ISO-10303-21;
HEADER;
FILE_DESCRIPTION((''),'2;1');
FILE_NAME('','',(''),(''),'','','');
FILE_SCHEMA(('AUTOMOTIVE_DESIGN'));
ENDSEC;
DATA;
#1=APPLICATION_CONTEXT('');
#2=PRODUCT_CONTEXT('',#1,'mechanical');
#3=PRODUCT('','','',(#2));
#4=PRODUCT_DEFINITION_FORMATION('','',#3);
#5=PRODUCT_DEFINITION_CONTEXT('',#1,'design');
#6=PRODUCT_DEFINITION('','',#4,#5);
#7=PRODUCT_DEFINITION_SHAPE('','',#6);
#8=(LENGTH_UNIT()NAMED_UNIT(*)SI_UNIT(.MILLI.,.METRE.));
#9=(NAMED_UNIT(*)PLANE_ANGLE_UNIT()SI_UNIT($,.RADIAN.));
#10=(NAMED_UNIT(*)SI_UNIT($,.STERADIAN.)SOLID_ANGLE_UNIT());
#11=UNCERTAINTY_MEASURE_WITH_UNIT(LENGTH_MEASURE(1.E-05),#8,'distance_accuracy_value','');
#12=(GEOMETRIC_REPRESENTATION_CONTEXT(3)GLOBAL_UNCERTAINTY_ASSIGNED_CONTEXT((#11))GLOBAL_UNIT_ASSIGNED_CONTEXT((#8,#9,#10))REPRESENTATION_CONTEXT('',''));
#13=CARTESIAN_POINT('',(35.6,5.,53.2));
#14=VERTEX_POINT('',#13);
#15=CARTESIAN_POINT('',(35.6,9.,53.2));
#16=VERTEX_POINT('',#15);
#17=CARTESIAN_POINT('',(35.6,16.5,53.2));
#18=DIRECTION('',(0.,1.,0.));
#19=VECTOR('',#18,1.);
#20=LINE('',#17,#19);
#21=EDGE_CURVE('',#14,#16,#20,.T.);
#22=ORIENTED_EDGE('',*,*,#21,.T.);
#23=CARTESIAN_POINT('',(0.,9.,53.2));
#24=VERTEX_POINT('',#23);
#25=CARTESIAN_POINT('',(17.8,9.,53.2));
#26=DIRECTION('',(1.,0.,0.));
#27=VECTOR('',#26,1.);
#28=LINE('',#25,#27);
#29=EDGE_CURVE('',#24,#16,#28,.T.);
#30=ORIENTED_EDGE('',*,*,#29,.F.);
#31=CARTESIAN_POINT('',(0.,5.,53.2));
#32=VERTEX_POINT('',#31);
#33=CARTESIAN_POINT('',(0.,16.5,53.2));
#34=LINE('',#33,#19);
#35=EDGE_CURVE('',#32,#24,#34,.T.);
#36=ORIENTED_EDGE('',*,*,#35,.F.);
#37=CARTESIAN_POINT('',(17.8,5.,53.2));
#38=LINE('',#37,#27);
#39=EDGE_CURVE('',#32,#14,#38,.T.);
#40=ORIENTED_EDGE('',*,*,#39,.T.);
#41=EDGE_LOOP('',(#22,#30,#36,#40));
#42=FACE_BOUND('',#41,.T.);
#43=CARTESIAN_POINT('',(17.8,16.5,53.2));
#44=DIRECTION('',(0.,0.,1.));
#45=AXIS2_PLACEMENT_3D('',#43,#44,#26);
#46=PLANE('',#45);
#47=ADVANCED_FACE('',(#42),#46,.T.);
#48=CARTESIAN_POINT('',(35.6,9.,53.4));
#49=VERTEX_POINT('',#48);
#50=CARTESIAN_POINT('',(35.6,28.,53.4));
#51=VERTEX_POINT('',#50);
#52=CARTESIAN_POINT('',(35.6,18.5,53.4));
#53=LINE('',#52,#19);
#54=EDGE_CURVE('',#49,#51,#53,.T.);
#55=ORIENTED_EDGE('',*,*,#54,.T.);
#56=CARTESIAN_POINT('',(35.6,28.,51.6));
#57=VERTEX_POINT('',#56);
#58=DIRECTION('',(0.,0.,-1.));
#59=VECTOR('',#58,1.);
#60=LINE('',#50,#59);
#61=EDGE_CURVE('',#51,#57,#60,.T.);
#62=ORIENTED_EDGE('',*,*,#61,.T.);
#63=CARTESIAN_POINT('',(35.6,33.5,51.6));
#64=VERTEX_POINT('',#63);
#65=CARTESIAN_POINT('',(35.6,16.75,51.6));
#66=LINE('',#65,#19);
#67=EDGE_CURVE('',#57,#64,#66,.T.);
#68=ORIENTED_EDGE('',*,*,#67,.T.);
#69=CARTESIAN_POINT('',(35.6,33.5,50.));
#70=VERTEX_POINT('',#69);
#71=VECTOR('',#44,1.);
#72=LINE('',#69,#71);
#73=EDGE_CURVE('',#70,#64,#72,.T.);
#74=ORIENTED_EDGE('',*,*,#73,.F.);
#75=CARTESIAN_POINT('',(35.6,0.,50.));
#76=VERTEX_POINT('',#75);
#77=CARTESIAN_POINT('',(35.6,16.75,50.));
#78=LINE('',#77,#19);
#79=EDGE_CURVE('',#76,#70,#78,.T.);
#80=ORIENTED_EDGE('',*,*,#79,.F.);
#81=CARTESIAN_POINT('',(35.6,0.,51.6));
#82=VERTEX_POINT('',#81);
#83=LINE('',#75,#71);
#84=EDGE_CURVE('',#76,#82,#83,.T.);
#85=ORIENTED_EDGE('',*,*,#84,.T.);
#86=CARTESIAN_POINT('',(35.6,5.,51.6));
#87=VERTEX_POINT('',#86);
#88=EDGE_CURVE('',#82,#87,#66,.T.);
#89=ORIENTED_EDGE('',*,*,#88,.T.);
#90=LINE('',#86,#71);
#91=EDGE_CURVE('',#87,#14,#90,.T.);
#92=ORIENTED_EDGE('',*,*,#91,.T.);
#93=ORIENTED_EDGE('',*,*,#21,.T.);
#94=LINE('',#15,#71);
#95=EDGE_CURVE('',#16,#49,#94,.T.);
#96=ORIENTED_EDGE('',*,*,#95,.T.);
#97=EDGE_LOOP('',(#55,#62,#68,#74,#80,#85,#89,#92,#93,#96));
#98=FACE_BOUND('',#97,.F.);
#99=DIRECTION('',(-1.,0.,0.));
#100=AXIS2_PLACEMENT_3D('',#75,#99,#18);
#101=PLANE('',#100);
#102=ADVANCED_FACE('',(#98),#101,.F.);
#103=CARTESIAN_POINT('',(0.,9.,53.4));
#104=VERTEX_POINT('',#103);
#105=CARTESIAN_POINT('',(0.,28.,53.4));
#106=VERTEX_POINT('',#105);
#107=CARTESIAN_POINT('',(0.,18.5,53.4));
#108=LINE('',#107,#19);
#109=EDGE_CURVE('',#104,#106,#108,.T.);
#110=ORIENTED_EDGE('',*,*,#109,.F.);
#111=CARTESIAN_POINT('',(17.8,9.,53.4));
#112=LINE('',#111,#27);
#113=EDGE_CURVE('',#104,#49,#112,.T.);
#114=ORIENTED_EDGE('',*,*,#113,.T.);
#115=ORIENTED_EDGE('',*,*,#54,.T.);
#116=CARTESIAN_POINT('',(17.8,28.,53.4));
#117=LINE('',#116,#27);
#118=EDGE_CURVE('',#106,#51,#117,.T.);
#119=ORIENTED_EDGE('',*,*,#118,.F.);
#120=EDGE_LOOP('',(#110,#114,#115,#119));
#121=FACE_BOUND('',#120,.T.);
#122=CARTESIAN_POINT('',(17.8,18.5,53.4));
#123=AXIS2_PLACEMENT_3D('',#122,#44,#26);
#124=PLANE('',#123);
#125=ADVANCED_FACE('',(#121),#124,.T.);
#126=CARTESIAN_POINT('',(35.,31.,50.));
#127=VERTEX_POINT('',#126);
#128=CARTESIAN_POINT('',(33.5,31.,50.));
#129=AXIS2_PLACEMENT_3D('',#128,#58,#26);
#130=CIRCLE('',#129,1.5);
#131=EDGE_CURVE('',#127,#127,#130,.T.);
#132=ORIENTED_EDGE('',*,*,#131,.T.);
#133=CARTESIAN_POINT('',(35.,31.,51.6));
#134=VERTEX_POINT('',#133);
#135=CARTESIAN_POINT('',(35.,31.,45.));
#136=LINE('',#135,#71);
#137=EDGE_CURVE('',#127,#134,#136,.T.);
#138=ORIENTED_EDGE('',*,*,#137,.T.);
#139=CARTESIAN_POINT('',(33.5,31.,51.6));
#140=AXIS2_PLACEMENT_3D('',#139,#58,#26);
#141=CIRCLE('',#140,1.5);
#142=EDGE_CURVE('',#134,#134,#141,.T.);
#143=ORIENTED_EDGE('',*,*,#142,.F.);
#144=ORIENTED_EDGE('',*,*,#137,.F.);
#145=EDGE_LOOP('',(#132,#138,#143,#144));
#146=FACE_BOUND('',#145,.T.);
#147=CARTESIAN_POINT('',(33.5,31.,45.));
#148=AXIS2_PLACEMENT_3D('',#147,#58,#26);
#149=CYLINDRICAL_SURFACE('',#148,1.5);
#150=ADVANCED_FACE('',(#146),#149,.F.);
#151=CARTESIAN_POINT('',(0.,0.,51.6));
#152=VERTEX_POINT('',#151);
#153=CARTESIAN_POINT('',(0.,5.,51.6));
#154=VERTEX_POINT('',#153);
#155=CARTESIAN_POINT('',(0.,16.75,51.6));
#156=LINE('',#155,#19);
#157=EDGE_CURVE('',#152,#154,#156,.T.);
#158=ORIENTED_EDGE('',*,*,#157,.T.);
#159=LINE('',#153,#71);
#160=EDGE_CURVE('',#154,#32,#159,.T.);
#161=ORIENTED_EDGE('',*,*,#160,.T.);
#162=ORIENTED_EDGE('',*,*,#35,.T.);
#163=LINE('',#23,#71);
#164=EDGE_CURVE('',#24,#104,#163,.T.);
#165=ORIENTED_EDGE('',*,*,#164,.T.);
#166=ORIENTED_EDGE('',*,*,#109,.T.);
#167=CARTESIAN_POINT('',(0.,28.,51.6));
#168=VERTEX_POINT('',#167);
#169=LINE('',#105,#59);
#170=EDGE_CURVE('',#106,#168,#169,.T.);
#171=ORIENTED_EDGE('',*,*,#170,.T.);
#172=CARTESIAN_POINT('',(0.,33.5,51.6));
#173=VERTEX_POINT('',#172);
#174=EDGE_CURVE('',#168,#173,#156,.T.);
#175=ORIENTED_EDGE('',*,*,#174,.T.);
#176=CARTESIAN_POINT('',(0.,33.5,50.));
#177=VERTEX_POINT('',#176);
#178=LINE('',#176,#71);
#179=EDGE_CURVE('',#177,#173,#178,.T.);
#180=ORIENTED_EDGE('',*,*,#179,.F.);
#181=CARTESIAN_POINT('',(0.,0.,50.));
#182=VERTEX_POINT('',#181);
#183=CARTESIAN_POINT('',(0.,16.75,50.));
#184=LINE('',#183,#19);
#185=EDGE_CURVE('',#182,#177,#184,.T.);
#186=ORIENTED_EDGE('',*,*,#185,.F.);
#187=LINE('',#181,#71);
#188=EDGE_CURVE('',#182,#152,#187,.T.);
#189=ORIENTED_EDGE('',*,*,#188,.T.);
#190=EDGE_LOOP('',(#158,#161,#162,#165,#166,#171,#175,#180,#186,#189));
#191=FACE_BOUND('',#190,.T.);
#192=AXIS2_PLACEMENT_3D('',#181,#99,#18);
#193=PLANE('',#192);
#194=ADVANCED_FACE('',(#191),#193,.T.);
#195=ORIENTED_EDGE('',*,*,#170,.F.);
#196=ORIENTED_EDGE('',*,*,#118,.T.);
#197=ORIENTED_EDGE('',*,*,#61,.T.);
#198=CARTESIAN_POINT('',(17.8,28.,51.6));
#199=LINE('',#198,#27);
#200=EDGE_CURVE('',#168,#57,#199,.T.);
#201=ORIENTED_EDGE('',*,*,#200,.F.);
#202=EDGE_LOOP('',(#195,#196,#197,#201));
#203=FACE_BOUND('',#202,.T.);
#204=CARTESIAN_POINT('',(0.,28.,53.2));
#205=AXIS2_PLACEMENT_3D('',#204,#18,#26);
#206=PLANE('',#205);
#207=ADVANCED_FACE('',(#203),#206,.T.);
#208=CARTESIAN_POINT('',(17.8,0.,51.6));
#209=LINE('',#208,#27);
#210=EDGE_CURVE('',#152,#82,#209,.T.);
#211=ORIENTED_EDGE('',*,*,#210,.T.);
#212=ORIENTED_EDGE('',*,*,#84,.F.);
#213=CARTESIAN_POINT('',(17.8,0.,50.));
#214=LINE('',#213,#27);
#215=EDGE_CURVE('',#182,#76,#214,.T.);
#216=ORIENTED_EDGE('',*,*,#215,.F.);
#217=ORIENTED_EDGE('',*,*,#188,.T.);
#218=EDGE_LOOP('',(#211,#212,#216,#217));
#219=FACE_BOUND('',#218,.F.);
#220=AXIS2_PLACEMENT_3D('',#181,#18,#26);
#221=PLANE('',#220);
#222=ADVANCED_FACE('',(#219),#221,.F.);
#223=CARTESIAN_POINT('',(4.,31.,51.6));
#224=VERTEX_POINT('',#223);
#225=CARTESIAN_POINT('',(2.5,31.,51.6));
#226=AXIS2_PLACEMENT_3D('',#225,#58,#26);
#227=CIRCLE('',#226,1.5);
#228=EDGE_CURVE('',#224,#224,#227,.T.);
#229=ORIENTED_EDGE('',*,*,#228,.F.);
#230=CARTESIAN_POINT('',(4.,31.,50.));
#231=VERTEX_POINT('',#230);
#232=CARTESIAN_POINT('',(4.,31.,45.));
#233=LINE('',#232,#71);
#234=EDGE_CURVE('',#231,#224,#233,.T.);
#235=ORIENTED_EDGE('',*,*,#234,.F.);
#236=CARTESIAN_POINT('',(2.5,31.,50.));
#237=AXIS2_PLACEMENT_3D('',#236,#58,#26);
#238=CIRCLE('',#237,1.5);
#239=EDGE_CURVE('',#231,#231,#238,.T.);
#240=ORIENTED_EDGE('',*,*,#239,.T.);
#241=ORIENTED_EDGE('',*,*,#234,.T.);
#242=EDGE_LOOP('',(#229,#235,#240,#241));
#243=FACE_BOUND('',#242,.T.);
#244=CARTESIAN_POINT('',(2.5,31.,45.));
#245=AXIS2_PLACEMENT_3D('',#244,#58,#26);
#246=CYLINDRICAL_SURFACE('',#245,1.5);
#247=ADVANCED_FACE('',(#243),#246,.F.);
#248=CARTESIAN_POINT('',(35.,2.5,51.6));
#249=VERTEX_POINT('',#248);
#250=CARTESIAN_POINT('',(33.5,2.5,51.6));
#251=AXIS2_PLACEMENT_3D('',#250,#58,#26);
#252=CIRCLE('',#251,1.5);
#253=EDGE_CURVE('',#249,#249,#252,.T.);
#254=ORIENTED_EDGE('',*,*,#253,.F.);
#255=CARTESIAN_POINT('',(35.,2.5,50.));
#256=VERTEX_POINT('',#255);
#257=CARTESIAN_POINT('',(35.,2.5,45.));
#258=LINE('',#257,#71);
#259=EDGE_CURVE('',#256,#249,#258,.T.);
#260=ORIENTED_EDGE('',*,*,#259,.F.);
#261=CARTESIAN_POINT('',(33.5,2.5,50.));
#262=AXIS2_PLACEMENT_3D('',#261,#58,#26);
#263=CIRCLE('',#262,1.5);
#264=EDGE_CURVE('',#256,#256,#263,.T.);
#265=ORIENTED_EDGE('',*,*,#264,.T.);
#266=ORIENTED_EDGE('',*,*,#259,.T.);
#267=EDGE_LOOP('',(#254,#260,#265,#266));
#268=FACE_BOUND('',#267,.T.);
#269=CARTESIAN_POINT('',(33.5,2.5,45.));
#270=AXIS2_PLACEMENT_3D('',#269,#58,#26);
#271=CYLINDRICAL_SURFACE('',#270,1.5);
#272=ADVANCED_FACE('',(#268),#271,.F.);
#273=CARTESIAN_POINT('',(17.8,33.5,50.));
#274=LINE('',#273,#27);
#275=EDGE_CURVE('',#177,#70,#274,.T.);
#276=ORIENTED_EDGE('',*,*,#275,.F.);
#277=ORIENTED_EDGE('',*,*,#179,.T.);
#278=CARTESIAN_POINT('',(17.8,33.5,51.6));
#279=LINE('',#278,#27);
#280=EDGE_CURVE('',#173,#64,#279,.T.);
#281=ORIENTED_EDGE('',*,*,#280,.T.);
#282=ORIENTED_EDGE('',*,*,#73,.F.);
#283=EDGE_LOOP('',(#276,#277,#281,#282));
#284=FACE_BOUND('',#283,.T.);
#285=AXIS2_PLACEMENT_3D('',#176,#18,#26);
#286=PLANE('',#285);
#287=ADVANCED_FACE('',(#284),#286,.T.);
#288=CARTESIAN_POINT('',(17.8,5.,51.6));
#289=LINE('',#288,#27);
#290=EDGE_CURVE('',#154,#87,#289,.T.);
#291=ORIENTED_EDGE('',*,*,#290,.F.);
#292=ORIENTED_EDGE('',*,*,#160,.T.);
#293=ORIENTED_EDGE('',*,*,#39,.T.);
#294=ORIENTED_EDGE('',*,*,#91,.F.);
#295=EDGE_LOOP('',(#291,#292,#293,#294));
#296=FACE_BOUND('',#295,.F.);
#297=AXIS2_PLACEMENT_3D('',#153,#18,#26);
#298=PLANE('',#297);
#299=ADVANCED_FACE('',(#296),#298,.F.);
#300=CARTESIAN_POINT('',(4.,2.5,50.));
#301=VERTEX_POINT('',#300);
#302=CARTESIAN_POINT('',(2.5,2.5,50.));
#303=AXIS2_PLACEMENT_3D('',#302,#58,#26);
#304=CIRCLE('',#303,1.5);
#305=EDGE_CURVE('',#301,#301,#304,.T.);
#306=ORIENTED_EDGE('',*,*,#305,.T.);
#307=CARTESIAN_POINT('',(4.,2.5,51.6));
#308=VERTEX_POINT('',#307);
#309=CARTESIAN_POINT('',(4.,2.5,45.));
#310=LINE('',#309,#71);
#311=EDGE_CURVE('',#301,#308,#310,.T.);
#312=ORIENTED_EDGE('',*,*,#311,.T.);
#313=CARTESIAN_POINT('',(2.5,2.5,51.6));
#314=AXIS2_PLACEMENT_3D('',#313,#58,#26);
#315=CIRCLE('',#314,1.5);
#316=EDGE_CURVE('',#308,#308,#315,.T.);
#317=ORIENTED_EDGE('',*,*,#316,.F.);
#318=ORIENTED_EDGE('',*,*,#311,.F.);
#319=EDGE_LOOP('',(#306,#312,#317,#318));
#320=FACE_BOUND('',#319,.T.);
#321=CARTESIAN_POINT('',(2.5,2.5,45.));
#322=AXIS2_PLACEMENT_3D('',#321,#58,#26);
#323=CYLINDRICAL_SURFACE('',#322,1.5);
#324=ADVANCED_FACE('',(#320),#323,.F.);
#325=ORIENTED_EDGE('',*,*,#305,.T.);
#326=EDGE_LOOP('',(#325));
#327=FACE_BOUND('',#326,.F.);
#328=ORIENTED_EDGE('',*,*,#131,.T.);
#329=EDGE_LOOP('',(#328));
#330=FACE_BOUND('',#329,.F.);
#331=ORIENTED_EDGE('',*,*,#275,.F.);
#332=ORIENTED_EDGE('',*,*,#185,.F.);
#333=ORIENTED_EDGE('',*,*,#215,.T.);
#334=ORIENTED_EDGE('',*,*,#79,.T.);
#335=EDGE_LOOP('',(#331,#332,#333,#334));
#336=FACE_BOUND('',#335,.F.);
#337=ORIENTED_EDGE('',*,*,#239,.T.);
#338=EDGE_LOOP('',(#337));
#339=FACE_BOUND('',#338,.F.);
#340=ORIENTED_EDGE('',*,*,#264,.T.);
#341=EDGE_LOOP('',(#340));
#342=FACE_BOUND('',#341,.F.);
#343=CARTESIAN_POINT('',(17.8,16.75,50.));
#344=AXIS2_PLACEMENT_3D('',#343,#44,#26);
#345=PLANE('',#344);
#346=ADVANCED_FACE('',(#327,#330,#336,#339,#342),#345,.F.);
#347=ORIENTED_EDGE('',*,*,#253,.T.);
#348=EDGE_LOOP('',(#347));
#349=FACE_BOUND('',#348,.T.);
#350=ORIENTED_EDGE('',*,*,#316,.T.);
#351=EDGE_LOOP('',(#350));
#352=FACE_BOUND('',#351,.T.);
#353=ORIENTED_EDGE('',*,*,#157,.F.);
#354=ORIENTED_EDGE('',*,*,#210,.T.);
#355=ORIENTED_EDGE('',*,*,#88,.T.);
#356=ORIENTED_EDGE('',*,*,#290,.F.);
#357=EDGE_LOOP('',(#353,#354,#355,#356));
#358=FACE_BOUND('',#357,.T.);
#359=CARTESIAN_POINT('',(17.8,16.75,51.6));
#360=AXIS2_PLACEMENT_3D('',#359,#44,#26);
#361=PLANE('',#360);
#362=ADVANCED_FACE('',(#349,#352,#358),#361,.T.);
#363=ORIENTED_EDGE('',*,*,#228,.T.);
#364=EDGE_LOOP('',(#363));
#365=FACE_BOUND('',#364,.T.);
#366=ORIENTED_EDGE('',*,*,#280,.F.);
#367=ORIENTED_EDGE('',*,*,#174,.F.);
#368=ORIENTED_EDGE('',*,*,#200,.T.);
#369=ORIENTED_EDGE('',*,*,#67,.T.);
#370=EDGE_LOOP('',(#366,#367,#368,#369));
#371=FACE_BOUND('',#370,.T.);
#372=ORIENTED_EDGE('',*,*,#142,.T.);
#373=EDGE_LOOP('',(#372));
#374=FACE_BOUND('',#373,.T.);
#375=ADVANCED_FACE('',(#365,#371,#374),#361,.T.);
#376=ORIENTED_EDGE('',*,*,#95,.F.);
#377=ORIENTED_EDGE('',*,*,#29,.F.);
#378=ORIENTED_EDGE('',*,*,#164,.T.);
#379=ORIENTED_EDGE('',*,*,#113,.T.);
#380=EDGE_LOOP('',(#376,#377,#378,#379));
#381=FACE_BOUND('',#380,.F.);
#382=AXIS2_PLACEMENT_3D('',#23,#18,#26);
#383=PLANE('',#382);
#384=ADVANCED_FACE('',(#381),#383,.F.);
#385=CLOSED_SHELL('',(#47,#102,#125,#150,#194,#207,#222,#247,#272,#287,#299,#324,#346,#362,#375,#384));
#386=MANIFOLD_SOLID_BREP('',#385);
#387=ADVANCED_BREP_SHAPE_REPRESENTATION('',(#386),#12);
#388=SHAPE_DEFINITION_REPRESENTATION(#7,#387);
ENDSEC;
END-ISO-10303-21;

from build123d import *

# Parameters (mm, degrees)
BOX003_W          = 35.6
BOX003_H          = 19
BOX003_DEPTH      = 0.2
CYLINDER003_R     = 1.5
CYLINDER003_DEPTH = 10
CYLINDER004_R     = 1.5
CYLINDER004_DEPTH = 10
CYLINDER005_R     = 1.5
CYLINDER005_DEPTH = 10
CYLINDER006_R     = 1.5
CYLINDER006_DEPTH = 10
BOX001_W          = 35.6
BOX001_H          = 33.5
BOX001_DEPTH      = 1.6
BOX002_W          = 35.6
BOX002_H          = 23
BOX002_DEPTH      = 1.6


with BuildPart() as cube001:
    # Box003 → Box003 (new body)
    with BuildSketch(Plane(origin=(0, 9, 53.2), x_dir=(1, 0, 0), z_dir=(0, 0, 1))):
        with Locations((17.8, 9.5)):
            Rectangle(BOX003_W, BOX003_H)
    extrude(amount=BOX003_DEPTH)


with BuildPart() as cylinder003:
    # Cylinder003 → Cylinder003 (new body)
    with BuildSketch(Plane(origin=(2.5, 2.5, 45), x_dir=(1, 0, 0), z_dir=(0, 0, 1))):
        Circle(CYLINDER003_R)
    extrude(amount=CYLINDER003_DEPTH)


with BuildPart() as cylinder004:
    # Cylinder004 → Cylinder004 (new body)
    with BuildSketch(Plane(origin=(33.5, 2.5, 45), x_dir=(1, 0, 0), z_dir=(0, 0, 1))):
        Circle(CYLINDER004_R)
    extrude(amount=CYLINDER004_DEPTH)


with BuildPart() as cylinder005:
    # Cylinder005 → Cylinder005 (new body)
    with BuildSketch(Plane(origin=(2.5, 31, 45), x_dir=(1, 0, 0), z_dir=(0, 0, 1))):
        Circle(CYLINDER005_R)
    extrude(amount=CYLINDER005_DEPTH)


with BuildPart() as fusion017:
    # Cylinder006 → Cylinder006 (new body)
    with BuildSketch(Plane(origin=(33.5, 31, 45), x_dir=(1, 0, 0), z_dir=(0, 0, 1))):
        Circle(CYLINDER006_R)
    extrude(amount=CYLINDER006_DEPTH)

    # Fusion017: union Cylinder003, Cylinder004, Cylinder005
    add(cylinder003.part)
    add(cylinder004.part)
    add(cylinder005.part)


with BuildPart() as cut:
    # Box001 → Box001 (new body)
    with BuildSketch(Plane.XY.offset(50)):
        with Locations((17.8, 16.75)):
            Rectangle(BOX001_W, BOX001_H)
    extrude(amount=BOX001_DEPTH)

    # Cut: cut Fusion017
    add(fusion017.part, mode=Mode.SUBTRACT)


with BuildPart() as oled001:
    # Box002 → Box002 (new body)
    with BuildSketch(Plane(origin=(0, 5, 51.6), x_dir=(1, 0, 0), z_dir=(0, 0, 1))):
        with Locations((17.8, 11.5)):
            Rectangle(BOX002_W, BOX002_H)
    extrude(amount=BOX002_DEPTH)

    # Fusion018: union Cube001, Cut
    add(cube001.part)
    add(cut.part)


solid = oled001.part
